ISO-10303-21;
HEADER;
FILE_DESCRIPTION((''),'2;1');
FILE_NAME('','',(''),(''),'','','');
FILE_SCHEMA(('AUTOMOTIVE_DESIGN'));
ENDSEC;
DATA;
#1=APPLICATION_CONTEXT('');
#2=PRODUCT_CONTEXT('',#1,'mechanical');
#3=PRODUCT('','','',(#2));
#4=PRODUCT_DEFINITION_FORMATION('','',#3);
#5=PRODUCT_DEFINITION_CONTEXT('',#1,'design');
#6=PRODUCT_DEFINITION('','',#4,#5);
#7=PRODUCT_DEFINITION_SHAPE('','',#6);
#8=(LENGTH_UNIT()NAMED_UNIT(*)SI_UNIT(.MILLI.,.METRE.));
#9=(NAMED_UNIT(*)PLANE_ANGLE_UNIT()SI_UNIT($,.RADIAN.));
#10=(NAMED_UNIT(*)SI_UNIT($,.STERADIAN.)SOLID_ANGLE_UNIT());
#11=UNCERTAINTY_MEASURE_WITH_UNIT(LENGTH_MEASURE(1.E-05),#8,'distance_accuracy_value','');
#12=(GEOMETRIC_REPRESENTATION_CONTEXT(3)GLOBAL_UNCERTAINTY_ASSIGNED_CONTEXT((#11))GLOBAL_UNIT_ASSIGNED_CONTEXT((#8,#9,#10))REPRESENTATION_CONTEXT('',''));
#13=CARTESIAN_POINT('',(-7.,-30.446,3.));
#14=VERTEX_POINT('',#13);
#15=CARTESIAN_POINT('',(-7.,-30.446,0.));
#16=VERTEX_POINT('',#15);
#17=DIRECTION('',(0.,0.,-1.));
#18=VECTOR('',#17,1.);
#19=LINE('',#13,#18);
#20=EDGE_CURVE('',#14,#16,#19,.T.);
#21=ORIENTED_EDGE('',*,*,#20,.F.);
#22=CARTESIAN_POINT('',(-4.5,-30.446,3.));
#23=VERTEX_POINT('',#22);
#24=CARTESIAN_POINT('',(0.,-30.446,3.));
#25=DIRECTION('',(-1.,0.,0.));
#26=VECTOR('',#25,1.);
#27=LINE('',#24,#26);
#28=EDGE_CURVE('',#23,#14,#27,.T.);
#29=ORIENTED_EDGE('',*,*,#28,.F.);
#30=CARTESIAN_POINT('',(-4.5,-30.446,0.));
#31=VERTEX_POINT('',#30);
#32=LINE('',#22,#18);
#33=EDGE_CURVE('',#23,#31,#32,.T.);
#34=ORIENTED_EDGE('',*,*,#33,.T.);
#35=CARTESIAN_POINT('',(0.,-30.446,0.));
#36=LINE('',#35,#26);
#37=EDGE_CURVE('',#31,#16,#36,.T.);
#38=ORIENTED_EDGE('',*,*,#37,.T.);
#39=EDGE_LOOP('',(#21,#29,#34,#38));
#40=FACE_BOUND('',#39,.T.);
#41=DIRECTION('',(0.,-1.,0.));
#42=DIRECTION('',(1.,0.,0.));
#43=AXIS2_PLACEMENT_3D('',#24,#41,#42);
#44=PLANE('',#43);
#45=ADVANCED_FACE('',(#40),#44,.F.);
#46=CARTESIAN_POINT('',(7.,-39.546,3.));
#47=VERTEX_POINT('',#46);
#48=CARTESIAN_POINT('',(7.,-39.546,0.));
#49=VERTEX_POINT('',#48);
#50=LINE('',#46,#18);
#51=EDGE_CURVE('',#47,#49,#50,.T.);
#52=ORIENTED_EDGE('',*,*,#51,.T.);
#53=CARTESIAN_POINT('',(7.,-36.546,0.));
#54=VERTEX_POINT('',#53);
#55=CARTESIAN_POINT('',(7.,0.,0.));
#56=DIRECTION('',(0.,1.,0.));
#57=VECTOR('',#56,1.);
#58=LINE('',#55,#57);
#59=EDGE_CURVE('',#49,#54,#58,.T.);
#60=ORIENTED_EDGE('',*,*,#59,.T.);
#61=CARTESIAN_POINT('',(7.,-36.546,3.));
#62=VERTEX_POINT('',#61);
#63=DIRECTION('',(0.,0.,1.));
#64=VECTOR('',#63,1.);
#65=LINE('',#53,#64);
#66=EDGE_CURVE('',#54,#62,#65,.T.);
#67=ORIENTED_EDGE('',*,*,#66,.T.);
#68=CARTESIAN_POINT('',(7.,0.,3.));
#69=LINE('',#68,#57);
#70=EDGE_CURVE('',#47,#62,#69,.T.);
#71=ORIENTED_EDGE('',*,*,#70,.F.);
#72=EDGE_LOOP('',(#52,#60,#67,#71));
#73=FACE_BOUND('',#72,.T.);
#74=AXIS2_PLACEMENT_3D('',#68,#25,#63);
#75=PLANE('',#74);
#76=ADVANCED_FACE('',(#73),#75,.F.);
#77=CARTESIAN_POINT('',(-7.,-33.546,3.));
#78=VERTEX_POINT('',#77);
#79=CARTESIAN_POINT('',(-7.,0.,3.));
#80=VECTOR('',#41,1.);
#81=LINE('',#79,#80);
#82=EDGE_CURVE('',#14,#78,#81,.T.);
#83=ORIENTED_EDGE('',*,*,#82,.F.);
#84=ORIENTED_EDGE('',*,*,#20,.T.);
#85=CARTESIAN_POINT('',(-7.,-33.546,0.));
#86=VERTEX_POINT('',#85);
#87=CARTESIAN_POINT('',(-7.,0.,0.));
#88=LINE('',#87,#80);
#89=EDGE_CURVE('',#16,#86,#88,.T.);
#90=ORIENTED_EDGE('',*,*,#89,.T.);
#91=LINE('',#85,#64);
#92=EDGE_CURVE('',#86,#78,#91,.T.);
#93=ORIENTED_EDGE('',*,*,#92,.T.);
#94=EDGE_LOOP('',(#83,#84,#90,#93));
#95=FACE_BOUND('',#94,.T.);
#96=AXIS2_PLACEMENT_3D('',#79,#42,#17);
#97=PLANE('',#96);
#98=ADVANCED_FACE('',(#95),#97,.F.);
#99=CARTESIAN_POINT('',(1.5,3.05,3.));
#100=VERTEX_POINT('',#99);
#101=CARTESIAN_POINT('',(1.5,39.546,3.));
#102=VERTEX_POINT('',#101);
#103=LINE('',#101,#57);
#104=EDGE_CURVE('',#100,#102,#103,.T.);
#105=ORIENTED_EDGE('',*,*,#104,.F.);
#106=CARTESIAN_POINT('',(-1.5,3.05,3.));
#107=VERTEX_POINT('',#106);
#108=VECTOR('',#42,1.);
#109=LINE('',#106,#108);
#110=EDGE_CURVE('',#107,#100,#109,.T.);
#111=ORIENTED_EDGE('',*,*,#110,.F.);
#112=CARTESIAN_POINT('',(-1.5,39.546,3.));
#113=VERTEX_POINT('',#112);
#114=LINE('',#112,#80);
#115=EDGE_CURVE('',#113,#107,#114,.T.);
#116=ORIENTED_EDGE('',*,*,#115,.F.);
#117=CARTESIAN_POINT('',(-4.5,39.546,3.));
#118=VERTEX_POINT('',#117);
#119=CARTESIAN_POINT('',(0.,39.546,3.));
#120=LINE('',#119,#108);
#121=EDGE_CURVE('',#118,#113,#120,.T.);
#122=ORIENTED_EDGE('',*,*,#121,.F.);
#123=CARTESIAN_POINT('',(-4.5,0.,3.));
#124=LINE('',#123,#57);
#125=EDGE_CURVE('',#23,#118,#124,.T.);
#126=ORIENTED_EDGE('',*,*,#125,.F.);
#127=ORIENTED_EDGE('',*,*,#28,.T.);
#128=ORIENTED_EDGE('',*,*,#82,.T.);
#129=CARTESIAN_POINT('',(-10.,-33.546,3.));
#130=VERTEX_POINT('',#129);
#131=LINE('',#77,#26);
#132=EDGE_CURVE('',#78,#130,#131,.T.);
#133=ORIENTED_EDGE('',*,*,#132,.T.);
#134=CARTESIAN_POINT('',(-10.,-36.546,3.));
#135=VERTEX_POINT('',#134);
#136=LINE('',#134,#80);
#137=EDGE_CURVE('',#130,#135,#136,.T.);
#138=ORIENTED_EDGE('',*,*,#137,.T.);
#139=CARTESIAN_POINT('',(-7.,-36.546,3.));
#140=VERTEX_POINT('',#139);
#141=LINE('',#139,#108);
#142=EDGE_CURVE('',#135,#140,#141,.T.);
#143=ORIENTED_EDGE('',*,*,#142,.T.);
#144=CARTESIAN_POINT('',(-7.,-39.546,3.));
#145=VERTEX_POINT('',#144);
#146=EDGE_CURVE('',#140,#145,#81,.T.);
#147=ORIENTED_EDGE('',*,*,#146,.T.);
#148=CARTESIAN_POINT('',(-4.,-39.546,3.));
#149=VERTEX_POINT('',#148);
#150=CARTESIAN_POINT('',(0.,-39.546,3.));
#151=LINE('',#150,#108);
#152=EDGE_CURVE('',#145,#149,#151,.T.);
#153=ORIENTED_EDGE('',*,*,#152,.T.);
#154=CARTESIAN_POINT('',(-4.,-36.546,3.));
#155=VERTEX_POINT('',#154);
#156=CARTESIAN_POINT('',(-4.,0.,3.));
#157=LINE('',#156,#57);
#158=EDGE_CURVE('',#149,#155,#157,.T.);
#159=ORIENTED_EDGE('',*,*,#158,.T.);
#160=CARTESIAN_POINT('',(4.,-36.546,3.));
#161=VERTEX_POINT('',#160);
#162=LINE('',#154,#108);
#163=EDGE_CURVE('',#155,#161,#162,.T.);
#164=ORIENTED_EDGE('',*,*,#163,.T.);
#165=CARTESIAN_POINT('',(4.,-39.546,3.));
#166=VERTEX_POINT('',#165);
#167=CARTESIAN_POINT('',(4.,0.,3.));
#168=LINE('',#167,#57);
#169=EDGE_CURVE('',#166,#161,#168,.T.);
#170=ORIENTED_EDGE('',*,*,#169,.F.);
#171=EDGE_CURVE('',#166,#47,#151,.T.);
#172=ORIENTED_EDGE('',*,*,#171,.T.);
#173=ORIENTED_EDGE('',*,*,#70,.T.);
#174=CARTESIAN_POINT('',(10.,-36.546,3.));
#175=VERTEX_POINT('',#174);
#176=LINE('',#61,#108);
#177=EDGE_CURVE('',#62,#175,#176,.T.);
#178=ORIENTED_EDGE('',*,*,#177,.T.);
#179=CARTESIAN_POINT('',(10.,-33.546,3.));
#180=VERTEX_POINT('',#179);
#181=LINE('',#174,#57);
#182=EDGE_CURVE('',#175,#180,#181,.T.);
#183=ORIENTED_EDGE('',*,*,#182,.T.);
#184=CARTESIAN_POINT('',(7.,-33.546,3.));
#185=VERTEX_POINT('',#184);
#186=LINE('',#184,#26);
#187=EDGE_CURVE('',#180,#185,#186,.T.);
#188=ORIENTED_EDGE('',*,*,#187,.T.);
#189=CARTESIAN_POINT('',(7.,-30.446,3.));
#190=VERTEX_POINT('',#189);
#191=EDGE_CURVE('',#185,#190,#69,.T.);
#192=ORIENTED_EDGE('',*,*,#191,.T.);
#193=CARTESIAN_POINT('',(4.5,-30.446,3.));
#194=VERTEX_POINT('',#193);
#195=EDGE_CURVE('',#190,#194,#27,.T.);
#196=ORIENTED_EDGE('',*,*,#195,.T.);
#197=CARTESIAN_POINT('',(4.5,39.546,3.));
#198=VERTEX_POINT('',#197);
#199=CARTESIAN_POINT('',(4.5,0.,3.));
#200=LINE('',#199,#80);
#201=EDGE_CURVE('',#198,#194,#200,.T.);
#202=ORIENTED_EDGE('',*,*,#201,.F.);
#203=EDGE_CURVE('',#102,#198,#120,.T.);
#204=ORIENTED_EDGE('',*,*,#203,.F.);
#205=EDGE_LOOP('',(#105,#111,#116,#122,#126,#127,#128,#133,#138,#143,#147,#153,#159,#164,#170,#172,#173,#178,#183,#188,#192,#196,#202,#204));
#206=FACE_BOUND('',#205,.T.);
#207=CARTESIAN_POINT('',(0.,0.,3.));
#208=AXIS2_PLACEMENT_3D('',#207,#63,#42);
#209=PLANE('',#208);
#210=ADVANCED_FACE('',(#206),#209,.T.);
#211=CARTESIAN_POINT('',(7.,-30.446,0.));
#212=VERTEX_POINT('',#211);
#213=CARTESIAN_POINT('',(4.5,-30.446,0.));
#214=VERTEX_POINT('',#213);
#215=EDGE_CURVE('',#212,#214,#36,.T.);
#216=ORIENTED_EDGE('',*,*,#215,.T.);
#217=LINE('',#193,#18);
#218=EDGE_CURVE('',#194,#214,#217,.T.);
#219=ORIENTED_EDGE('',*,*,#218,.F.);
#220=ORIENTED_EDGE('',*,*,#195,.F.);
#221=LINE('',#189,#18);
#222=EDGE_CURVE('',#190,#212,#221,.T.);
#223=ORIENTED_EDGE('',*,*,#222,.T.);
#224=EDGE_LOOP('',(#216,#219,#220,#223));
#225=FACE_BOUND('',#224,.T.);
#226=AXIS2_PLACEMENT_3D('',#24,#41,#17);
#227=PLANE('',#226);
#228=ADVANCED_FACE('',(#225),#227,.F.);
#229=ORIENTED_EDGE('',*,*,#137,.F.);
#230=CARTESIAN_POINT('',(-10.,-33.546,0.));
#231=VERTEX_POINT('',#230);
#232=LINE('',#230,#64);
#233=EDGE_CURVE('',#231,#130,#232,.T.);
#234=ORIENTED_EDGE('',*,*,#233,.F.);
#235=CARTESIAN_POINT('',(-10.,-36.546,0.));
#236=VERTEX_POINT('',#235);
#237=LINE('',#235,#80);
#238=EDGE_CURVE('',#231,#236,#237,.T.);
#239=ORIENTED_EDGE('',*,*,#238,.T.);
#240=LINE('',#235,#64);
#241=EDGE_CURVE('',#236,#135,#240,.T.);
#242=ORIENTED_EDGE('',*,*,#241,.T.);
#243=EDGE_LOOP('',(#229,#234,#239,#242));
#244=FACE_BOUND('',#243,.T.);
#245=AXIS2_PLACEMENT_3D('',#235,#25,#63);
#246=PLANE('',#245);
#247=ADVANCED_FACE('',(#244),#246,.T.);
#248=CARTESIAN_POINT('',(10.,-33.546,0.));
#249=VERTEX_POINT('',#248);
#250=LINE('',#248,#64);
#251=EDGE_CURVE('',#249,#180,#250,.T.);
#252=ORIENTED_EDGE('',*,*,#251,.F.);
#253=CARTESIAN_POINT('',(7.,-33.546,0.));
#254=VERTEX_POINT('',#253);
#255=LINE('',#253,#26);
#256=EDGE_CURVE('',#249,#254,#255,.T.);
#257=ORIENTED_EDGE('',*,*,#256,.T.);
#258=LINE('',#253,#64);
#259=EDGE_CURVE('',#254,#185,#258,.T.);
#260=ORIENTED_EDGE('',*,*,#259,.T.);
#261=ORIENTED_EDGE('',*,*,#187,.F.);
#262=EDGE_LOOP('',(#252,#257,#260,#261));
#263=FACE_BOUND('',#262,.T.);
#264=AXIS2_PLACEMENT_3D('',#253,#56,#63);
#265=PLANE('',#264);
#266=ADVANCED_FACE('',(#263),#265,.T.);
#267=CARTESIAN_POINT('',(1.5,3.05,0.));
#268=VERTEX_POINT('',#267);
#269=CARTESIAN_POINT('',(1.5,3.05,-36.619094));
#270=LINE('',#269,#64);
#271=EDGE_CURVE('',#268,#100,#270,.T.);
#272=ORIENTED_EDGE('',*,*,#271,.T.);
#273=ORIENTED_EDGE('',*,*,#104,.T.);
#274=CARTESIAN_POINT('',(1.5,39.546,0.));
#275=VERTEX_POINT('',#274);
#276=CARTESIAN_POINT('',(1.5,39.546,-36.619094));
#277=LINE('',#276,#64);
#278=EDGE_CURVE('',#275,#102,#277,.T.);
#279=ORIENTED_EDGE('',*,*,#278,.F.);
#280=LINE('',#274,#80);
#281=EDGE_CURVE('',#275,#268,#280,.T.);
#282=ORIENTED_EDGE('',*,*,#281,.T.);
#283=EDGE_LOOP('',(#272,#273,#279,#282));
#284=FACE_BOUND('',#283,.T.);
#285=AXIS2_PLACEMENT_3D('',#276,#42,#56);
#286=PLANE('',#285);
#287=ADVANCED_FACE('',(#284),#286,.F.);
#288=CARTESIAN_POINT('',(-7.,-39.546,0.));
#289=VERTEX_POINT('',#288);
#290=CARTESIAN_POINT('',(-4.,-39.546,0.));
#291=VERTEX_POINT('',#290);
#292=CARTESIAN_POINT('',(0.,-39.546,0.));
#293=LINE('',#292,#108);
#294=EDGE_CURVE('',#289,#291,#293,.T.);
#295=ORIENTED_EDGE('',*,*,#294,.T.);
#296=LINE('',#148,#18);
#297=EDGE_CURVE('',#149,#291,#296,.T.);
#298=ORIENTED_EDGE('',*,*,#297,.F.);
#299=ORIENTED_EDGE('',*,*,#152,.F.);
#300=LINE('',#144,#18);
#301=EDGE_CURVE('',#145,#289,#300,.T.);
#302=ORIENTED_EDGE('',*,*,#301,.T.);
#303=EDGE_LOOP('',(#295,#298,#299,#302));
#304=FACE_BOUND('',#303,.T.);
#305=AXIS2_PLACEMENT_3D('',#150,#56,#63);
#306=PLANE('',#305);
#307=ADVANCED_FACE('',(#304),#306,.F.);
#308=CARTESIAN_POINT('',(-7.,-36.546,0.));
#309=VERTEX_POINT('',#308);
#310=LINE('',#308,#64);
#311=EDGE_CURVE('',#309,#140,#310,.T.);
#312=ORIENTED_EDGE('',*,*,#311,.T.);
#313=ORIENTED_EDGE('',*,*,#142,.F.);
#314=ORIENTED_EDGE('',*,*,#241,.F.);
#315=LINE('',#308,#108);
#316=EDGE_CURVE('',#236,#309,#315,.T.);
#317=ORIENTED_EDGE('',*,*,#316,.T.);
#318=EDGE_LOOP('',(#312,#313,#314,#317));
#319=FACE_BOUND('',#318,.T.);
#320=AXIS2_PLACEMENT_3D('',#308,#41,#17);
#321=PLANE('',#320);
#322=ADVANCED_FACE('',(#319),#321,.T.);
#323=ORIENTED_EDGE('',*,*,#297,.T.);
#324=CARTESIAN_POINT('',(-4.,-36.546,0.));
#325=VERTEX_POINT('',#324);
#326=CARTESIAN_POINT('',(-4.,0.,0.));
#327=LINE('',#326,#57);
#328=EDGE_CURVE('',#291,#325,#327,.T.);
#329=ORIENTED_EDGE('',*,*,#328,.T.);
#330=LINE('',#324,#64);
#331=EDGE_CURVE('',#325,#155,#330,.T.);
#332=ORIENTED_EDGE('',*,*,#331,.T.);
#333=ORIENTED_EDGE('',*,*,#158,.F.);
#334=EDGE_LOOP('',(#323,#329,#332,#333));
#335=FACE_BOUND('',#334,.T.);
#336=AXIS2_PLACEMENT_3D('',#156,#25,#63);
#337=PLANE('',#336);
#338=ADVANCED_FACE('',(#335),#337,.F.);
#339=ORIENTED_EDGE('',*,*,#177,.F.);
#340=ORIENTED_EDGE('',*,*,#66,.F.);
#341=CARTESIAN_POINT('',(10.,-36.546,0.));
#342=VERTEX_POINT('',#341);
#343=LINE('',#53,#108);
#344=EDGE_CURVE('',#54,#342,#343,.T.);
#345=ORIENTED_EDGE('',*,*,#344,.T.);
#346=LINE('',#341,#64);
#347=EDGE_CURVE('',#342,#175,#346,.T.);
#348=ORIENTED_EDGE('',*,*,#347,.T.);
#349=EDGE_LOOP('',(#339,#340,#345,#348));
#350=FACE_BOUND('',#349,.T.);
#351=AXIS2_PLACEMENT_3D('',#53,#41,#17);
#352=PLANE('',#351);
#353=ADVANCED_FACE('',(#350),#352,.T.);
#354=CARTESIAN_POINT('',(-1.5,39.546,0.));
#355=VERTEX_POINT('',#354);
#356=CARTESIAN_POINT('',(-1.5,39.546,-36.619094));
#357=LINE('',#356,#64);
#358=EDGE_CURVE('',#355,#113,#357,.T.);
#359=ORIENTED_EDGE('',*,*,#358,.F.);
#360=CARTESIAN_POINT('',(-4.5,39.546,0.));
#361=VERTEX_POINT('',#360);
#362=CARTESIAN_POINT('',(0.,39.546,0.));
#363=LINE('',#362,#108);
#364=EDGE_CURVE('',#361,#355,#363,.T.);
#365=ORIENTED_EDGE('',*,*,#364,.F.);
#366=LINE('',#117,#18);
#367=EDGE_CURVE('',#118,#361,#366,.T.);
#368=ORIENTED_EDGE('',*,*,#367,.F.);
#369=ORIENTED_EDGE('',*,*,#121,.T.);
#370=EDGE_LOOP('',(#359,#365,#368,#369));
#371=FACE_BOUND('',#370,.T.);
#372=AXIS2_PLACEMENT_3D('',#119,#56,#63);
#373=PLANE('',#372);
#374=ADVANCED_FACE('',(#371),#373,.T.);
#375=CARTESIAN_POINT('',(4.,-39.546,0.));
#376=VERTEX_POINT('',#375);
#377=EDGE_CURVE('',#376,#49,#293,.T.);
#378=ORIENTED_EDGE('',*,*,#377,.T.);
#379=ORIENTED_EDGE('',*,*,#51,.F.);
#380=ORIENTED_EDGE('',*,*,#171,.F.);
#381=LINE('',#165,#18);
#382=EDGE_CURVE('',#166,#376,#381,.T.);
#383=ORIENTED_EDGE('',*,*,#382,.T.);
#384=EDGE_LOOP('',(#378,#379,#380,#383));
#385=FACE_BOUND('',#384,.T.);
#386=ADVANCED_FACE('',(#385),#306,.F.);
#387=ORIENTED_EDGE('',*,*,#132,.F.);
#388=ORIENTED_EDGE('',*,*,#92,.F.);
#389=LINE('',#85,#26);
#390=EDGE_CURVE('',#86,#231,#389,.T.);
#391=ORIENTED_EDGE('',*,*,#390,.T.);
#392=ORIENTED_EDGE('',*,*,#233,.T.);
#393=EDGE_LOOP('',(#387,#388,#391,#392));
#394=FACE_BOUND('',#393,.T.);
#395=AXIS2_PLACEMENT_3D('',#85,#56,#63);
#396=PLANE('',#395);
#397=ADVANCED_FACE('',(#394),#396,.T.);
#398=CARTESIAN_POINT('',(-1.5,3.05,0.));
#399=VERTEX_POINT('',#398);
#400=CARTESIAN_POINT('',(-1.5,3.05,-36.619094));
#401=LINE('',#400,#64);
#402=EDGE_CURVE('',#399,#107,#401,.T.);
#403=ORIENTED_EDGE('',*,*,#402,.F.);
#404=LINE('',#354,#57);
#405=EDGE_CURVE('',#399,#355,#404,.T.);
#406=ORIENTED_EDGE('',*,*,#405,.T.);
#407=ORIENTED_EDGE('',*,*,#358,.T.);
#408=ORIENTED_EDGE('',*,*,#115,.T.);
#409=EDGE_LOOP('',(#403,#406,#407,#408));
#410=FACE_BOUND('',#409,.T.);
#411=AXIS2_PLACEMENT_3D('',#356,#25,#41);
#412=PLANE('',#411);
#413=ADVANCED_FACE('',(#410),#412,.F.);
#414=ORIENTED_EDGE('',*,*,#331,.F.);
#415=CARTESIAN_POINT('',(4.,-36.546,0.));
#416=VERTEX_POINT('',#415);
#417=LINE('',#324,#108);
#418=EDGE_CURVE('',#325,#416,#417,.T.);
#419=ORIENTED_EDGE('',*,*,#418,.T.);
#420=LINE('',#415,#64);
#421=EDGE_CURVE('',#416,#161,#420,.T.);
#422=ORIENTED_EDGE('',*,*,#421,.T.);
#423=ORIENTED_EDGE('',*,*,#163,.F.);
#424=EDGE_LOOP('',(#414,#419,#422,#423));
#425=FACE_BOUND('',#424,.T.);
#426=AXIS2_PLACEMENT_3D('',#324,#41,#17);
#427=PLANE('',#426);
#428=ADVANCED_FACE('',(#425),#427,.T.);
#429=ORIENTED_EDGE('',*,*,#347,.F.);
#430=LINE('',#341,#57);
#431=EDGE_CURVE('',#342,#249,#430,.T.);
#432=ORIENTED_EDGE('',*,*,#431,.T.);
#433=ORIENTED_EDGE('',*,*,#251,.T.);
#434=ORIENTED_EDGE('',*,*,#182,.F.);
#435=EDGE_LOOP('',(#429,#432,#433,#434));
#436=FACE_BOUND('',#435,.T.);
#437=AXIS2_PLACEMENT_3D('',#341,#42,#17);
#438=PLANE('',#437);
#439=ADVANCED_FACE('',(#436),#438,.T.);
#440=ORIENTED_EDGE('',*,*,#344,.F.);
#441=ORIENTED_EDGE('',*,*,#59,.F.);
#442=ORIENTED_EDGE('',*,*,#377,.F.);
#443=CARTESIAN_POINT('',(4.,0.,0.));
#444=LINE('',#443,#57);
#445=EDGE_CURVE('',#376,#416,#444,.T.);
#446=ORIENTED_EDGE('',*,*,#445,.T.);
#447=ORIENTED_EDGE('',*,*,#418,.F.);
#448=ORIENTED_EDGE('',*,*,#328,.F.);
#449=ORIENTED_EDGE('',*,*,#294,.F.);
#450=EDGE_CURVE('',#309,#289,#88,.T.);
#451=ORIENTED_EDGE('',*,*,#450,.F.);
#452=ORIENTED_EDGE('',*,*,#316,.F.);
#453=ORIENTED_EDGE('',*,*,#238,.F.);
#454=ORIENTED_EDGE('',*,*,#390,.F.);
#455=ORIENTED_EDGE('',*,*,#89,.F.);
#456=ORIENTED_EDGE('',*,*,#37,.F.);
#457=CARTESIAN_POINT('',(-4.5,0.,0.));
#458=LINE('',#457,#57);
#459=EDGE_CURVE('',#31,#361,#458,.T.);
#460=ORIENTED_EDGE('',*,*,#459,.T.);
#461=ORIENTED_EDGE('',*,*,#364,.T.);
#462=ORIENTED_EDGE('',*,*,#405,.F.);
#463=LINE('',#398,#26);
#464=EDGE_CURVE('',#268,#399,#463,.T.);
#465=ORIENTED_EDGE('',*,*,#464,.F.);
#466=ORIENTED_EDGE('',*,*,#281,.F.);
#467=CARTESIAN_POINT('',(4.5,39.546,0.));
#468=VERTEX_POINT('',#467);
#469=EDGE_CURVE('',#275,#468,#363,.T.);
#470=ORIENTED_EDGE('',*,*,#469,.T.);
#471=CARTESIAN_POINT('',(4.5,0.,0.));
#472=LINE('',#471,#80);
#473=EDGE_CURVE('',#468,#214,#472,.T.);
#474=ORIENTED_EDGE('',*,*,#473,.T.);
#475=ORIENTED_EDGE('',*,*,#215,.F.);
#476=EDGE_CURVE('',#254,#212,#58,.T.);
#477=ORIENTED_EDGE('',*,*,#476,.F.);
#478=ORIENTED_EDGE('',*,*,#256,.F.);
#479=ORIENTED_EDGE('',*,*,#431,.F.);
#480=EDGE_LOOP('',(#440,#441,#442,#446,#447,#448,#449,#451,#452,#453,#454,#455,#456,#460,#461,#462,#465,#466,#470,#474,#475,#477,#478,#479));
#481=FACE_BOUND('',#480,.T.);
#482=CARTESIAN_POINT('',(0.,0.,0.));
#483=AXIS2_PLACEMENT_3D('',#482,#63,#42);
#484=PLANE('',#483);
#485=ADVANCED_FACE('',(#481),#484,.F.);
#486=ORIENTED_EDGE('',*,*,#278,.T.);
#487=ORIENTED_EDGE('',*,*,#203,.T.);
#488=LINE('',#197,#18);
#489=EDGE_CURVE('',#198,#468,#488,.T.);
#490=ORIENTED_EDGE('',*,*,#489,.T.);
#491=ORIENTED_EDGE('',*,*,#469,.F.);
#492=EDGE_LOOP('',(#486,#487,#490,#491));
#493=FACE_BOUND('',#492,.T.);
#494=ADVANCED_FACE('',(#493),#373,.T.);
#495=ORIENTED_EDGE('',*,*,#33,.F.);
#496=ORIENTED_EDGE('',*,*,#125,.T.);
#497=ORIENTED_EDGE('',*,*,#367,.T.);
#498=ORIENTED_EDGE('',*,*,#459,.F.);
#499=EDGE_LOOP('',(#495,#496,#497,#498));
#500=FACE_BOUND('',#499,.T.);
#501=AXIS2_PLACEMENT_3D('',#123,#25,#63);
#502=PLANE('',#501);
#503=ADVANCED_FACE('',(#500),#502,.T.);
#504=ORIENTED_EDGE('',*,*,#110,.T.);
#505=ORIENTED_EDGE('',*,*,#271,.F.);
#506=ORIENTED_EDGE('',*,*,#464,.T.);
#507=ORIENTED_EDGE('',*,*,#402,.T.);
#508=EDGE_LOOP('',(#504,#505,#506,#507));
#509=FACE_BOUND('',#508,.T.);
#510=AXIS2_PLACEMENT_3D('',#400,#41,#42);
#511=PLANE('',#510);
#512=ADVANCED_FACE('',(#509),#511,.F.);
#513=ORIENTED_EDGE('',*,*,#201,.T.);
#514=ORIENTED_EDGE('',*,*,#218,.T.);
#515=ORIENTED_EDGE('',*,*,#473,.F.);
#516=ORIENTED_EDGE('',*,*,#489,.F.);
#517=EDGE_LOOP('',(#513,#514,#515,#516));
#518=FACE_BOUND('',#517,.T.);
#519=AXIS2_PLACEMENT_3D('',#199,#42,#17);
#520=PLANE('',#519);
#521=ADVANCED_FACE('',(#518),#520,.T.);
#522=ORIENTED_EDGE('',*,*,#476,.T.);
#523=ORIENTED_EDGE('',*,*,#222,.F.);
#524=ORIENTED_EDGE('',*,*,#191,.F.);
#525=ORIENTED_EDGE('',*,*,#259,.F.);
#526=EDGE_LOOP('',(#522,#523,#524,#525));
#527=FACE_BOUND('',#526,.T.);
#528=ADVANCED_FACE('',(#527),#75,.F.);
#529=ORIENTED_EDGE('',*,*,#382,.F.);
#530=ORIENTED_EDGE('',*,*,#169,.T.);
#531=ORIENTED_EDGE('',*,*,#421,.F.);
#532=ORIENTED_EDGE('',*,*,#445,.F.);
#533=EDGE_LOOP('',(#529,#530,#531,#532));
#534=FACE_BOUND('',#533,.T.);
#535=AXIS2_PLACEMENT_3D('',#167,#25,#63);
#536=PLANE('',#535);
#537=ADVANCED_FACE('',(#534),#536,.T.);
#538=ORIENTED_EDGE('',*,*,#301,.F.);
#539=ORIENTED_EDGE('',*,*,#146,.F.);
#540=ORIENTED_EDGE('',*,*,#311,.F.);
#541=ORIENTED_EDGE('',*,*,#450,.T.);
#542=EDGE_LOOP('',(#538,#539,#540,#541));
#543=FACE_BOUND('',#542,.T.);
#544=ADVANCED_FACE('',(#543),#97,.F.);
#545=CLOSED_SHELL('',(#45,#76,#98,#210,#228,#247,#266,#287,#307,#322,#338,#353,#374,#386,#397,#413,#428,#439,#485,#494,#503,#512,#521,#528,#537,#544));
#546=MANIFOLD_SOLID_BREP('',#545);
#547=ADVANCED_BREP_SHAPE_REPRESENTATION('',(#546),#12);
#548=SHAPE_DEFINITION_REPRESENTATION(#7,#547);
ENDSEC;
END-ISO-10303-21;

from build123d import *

# Parameters (mm, degrees)
EXTRUDE_1_DEPTH     = 3
SKETCH_2_W          = 3
SKETCH_2_H          = 36.495999937
CUT_EXTRUDE_1_DEPTH = 3
SKETCH_3_W          = 3
SKETCH_3_H          = 3
EXTRUDE_2_DEPTH     = 3
SKETCH_4_W          = 8
SKETCH_4_H          = 3.1
EXTRUDE_3_DEPTH     = 3


with BuildPart() as part:
    # 스케치1 → 보스-돌출1 (new body)
    with BuildSketch(Plane.XY):
        Polygon((-4.5, 39.545999937), (4.5, 39.545999937), (4.5, -30.445999937), (7, -30.445999937), (7, -39.545999937), (4, -39.545999937), (4, -33.445999937), (-4, -33.445999937), (-4, -39.545999937), (-7, -39.545999937), (-7, -30.445999937), (-4.5, -30.445999937), align=None)
    extrude(amount=EXTRUDE_1_DEPTH)

    # 스케치2 → 컷-돌출1 (cut)
    with BuildSketch(Plane.XY.offset(3)):
        with Locations((0, 21.297999969)):
            Rectangle(SKETCH_2_W, SKETCH_2_H)
    extrude(amount=-CUT_EXTRUDE_1_DEPTH, mode=Mode.SUBTRACT)

    # 스케치3 → 보스-돌출2 (add)
    with BuildSketch(Plane.XY.offset(3)):
        with Locations((-8.5, -35.045999937)):
            Rectangle(SKETCH_3_W, SKETCH_3_H)
        with Locations((8.5, -35.045999937)):
            Rectangle(SKETCH_3_W, SKETCH_3_H)
    extrude(amount=-EXTRUDE_2_DEPTH)

    # 스케치4 → 보스-돌출3 (add)
    with BuildSketch(Plane.XY.offset(3)):
        with Locations((0, -34.995999937)):
            Rectangle(SKETCH_4_W, SKETCH_4_H)
    extrude(amount=-EXTRUDE_3_DEPTH)


solid = part.part
